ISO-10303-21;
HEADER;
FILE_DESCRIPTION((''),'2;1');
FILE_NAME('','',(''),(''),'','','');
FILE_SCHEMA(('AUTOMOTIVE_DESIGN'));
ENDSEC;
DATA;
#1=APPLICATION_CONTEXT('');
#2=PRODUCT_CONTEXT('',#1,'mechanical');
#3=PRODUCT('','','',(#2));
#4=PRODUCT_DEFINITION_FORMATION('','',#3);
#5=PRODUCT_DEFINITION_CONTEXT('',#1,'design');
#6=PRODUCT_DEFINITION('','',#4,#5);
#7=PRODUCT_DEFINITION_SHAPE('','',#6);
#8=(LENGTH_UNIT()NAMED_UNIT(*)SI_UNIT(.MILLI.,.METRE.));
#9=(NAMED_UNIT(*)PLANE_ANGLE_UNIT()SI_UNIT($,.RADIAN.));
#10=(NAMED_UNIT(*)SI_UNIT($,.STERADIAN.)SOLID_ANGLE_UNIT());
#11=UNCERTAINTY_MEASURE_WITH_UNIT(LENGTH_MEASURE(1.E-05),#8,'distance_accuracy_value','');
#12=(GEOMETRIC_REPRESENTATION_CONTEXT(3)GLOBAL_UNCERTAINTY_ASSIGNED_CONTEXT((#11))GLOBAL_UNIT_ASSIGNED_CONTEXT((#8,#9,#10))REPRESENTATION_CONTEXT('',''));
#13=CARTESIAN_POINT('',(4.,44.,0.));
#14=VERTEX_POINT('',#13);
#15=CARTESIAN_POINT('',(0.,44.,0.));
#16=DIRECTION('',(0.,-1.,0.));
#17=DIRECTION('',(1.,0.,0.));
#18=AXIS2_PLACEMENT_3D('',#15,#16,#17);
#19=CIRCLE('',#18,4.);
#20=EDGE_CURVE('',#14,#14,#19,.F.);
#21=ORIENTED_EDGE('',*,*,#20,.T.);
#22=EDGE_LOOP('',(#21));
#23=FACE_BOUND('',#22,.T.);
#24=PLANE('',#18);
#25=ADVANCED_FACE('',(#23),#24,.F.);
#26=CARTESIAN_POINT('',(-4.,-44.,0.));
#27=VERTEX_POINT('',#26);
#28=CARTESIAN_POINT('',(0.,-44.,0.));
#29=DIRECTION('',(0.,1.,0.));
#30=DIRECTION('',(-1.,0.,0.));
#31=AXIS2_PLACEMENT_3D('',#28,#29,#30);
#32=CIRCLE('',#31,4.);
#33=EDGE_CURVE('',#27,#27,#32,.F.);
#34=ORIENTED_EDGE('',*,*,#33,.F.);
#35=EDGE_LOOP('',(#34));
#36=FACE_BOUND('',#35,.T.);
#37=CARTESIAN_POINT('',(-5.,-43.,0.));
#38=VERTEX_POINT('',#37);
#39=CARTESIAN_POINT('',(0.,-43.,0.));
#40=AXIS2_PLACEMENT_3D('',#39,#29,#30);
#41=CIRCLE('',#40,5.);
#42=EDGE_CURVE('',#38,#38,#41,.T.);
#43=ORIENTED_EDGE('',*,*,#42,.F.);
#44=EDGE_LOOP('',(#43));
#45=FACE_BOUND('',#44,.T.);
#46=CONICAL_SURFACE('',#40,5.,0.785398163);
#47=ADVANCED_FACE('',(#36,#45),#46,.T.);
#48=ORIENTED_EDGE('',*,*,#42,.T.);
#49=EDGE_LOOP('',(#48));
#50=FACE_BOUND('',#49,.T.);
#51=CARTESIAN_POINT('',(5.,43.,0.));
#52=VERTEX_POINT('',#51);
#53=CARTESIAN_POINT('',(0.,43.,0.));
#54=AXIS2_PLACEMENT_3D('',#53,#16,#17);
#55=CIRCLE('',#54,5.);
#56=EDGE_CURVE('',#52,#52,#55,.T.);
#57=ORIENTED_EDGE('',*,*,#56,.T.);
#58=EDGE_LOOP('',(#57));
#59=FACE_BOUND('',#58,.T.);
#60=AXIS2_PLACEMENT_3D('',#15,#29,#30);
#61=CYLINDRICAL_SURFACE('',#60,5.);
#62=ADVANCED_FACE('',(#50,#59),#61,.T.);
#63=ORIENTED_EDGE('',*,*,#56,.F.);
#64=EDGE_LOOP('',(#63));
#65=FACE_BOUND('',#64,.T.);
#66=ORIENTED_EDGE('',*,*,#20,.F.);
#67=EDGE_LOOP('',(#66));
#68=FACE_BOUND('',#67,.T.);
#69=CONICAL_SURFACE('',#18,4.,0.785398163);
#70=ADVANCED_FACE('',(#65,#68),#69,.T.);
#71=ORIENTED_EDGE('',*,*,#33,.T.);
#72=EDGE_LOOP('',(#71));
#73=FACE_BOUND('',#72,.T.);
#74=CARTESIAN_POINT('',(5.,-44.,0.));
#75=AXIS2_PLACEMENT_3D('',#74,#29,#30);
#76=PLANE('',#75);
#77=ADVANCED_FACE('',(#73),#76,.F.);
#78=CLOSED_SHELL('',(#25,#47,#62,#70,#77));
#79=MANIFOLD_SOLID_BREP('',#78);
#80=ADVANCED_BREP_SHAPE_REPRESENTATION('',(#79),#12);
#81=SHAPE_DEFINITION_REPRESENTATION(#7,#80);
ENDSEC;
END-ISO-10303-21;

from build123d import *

# Parameters (mm, degrees)
CHAMFER_1_SIZE = 1


with BuildPart() as part:
    # 草图1 → 旋转1 (revolve)
    with BuildSketch(Plane.XY, mode=Mode.PRIVATE) as revolve_1_sk:
        Polygon((0, 44), (5, 44), (5, 29), (5, -29), (5, -44), (0, -44), align=None)
    revolve(revolve_1_sk.sketch.rotate(Axis((0, 44, 0), (0, -1, 0)), 180), axis=Axis((0, 44, 0), (0, -1, 0)))

    # 倒角1
    chamfer_1_edges = [part.edges().sort_by_distance(p)[0] for p in [
        (5, -44, 0),
        (5, 44, 0),
    ]]
    chamfer(chamfer_1_edges, length=CHAMFER_1_SIZE)


solid = part.part
